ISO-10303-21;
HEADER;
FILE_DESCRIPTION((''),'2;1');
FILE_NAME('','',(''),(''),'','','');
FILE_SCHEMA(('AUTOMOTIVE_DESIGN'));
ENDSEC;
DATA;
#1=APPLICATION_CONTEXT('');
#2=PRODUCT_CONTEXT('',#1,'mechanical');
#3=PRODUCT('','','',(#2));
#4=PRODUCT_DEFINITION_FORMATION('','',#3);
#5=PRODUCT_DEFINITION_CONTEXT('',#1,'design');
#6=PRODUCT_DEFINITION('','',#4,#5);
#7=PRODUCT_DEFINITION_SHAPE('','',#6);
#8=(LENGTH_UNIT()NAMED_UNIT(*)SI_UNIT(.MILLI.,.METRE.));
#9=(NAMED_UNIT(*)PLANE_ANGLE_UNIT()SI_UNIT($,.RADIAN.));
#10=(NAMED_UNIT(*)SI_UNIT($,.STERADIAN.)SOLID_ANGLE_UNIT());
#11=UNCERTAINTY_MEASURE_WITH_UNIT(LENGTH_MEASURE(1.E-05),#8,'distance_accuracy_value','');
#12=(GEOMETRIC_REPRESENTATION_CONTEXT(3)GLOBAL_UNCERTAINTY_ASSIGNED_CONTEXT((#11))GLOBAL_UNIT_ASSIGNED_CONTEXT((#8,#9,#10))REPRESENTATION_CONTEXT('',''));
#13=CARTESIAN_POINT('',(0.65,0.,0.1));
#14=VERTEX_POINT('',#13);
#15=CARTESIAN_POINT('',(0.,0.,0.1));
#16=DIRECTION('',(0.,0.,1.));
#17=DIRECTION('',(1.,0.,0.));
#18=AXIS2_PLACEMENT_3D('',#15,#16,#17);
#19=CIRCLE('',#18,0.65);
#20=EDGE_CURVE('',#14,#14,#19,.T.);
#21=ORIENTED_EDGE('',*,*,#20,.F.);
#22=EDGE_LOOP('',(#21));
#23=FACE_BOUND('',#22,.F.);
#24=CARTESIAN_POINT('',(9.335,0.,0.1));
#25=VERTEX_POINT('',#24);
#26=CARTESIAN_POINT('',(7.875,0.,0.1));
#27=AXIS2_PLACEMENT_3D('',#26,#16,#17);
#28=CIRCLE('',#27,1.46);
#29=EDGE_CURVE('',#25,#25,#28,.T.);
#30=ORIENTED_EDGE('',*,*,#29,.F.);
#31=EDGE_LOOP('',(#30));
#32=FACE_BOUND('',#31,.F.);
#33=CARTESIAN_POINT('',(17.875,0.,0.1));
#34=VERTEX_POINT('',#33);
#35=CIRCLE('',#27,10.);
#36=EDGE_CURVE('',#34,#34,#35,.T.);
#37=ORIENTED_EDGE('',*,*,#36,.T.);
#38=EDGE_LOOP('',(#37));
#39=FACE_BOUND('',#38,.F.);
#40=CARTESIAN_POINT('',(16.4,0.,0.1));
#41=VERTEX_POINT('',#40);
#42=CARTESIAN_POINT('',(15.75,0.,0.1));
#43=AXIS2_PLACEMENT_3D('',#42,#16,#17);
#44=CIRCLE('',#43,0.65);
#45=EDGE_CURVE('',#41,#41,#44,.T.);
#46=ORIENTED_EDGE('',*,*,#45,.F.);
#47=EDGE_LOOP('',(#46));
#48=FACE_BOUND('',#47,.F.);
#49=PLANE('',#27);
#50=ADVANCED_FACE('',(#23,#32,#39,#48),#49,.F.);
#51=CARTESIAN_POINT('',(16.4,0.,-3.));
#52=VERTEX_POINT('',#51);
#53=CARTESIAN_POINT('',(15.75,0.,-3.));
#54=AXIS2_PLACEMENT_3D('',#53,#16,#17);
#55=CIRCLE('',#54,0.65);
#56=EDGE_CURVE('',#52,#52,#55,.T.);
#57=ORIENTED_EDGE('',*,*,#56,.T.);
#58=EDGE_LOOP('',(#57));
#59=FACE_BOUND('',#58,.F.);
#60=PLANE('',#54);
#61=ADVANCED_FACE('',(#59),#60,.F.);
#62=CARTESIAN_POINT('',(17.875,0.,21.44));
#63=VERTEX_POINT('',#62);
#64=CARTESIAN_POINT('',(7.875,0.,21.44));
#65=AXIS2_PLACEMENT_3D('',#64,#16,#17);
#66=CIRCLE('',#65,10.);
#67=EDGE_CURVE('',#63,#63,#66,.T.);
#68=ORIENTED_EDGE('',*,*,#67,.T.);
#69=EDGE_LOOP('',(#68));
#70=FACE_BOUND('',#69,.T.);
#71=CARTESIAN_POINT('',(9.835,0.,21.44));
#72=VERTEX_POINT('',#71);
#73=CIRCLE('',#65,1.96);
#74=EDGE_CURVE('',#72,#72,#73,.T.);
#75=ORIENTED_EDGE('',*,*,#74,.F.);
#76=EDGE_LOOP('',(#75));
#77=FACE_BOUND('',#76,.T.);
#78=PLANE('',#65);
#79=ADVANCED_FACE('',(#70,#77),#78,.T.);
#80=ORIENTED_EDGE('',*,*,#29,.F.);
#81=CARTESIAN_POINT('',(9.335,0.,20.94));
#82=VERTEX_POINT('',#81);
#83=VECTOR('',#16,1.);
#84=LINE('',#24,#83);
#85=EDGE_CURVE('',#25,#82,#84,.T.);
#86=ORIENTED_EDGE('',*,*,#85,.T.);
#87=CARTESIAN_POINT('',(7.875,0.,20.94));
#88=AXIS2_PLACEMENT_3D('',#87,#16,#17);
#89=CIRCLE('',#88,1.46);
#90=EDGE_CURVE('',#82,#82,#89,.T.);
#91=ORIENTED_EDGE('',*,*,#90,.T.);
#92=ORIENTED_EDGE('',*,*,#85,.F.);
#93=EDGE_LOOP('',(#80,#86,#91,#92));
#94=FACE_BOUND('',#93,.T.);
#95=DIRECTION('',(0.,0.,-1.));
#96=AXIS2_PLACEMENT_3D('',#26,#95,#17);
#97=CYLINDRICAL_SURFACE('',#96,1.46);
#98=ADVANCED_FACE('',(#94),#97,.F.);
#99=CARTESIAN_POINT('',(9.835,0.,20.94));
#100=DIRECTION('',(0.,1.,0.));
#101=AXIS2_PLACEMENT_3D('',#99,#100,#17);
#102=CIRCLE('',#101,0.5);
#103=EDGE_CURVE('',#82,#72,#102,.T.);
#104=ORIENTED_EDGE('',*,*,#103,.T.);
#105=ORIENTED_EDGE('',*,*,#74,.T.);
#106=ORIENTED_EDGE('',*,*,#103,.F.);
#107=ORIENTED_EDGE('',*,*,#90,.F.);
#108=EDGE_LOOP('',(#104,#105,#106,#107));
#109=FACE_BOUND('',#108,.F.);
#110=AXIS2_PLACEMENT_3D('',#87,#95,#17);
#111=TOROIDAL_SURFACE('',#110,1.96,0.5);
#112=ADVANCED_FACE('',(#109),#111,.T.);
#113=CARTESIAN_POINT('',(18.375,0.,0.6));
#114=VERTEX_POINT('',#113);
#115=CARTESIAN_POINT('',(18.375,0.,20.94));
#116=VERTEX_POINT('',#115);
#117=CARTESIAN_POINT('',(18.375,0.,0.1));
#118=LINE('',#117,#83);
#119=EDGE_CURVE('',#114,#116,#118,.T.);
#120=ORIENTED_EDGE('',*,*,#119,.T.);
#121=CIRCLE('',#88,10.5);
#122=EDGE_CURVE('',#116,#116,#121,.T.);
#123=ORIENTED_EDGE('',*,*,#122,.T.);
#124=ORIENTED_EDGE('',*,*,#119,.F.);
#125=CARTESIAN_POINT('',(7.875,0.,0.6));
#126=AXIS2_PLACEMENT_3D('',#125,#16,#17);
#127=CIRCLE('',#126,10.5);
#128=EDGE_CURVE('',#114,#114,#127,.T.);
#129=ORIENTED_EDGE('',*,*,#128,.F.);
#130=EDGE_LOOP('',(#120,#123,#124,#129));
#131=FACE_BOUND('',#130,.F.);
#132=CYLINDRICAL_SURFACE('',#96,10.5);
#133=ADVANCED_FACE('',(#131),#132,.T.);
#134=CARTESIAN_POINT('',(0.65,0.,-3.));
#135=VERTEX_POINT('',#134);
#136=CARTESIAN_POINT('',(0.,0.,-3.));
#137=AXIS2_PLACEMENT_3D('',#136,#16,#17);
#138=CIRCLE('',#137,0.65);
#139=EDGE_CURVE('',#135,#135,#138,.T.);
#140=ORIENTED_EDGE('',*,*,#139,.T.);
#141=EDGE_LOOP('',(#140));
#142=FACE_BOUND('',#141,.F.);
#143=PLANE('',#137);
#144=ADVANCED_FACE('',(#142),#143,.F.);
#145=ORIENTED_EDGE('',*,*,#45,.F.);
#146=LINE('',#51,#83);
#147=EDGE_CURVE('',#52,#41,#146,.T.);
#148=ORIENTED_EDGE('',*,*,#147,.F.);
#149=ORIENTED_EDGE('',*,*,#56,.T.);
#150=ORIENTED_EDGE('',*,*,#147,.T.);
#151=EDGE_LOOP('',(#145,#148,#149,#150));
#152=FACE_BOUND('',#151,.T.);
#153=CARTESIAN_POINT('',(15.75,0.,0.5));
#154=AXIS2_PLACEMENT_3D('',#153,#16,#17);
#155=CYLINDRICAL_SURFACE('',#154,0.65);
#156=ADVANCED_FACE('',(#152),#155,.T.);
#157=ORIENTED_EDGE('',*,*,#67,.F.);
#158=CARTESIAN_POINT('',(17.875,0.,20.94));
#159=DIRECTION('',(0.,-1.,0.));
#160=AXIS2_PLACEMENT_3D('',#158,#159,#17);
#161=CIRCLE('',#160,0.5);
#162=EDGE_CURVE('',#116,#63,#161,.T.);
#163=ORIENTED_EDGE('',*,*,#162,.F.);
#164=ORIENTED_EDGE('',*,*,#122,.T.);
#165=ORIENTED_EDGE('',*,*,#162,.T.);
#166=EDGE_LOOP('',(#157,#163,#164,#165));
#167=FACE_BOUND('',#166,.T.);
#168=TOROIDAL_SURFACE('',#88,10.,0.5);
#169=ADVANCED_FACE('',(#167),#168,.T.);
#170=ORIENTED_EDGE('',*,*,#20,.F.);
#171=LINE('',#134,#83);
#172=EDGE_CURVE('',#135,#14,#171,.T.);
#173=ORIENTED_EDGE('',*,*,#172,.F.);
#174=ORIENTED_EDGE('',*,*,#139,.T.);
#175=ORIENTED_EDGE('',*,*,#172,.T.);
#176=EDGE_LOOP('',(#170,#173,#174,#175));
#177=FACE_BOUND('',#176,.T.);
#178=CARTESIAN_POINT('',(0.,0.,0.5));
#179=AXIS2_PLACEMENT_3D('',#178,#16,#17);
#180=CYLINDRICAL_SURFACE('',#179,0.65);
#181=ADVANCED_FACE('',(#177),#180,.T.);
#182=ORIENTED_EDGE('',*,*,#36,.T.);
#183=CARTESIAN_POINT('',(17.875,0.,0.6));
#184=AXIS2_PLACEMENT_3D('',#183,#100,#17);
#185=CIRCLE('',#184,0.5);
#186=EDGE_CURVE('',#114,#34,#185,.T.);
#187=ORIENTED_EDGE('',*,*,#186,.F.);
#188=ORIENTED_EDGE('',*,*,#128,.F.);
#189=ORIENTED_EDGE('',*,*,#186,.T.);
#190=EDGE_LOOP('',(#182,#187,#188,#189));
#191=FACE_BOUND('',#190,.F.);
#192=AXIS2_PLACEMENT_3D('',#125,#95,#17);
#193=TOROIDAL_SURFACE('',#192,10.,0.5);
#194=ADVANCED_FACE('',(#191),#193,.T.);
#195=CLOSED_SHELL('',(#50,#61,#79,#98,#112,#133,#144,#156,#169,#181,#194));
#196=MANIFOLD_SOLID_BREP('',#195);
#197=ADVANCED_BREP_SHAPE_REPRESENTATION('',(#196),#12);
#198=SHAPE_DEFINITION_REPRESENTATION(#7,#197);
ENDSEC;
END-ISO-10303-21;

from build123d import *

# Parameters (mm, degrees)
SKETCH001_R       = 0.65
PAD001_DEPTH      = 10.67
PAD001_DEPTH_BACK = 3.5
SKETCH_R          = 10.5
SKETCH_R_2        = 1.46
PAD_DEPTH         = 21.34
FILLET_R          = 0.5


with BuildPart() as pad001:
    # Sketch001 → Pad001 (new body, two sides)
    with BuildSketch(Plane.XY.offset(0.5)) as pad001_sk:
        Circle(SKETCH001_R)
        with Locations((15.75, 0)):
            Circle(SKETCH001_R)
    extrude(amount=PAD001_DEPTH)
    extrude(pad001_sk.sketch, amount=-PAD001_DEPTH_BACK)


with BuildPart() as fillet_mp_cp:
    # Sketch → Pad (new body)
    with BuildSketch(Plane.XY.offset(0.1)):
        with Locations((7.875, 0)):
            Circle(SKETCH_R)
        with Locations((7.875, 0)):
            Circle(SKETCH_R_2, mode=Mode.SUBTRACT)
    extrude(amount=PAD_DEPTH)

    # Fillet
    fillet_edges = [fillet_mp_cp.edges().sort_by_distance(p)[0] for p in [
        (6.415, 0, 21.44),
        (-2.625, 0, 21.44),
        (-2.625, 0, 0.1),
    ]]
    fillet(fillet_edges, radius=FILLET_R)

    # Fillet_mp_cp: union Pad001
    add(pad001.part)


solid = fillet_mp_cp.part
